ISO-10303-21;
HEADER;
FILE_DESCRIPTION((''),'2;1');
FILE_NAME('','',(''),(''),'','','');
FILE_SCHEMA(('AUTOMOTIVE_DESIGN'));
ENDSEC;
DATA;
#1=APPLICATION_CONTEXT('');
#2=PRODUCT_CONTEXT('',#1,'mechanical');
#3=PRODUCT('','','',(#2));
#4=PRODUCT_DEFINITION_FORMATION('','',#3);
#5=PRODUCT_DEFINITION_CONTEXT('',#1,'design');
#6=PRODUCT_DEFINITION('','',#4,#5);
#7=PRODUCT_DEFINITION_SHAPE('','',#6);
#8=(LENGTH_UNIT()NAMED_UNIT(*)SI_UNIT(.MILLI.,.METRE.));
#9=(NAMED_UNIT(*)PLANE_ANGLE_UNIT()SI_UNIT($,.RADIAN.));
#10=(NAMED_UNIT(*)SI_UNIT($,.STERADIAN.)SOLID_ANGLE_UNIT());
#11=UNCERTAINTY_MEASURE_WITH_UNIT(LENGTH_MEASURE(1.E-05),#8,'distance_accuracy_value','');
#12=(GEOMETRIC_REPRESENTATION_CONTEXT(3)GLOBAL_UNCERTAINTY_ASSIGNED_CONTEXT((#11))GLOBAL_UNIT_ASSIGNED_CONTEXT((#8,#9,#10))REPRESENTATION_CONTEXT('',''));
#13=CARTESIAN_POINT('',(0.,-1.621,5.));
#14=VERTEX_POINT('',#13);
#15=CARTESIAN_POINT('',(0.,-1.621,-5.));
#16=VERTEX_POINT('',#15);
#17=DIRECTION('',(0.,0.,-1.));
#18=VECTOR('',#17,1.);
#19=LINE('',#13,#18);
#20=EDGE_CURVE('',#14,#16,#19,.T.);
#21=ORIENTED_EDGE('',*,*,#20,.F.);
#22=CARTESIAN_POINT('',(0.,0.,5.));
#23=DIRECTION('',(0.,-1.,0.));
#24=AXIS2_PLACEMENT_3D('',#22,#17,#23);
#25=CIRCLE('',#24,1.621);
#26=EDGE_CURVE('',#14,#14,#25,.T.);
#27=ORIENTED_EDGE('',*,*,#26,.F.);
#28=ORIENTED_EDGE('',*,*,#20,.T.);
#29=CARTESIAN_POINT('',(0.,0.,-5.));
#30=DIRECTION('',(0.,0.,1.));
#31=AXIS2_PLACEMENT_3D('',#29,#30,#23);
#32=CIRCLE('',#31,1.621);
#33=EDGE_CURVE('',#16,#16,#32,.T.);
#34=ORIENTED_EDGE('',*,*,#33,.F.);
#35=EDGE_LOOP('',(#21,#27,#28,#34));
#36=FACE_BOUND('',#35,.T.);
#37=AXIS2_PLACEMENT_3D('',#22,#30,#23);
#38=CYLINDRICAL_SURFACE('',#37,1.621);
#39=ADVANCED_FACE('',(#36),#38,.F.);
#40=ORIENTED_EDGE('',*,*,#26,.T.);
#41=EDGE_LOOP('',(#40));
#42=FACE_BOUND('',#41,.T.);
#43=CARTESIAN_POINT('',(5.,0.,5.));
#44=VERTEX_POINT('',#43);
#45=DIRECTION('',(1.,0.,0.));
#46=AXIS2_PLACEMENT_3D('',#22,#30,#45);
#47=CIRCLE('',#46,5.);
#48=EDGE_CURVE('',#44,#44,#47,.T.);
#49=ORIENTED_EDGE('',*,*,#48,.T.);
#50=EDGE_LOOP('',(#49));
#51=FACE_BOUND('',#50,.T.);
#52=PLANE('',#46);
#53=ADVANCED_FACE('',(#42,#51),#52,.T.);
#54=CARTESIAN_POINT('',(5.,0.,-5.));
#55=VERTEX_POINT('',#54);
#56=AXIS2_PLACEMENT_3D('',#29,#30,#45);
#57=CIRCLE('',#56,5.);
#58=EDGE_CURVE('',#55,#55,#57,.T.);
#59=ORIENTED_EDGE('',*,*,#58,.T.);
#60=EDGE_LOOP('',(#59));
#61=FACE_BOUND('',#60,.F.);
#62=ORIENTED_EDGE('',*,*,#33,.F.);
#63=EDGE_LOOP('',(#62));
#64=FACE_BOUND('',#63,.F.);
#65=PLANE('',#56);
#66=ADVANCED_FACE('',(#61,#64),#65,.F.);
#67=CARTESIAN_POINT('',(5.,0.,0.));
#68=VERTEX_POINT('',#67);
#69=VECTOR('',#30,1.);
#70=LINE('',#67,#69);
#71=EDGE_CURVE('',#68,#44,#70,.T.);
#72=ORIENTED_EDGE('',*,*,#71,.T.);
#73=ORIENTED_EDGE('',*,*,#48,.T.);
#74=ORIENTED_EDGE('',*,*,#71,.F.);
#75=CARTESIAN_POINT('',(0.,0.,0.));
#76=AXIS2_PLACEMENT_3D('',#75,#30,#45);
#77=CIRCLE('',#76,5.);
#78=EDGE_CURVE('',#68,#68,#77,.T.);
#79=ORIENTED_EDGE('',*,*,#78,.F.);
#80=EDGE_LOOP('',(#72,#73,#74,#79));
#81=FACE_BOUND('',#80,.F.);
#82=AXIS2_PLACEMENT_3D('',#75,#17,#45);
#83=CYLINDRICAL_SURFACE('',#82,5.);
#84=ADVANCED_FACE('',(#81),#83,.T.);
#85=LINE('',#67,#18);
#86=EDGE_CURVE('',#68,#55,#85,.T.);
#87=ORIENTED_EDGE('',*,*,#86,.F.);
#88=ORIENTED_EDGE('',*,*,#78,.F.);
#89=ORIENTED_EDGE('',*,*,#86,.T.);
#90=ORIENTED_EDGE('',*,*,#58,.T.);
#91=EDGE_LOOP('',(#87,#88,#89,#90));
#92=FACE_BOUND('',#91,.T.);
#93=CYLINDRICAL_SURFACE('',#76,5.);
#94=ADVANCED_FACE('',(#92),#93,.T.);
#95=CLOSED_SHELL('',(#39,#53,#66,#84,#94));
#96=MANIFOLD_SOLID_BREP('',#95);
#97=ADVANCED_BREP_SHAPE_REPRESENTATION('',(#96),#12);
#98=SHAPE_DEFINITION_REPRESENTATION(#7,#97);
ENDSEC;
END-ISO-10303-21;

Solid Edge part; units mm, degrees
sketch "Sketch1" plane through (0, 0, 0) normal (0, 0, 1) x (1, 0, 0)
  circle A0 centre (0, 0) radius 5
  dimension "D1" = 10
extrude "Protrusion1" add sketch "Sketch1" along normal mid plane 10
hole "Bohrung_1" at (0, 0, 5) direction (0, 0, -1) diameter 3.242 end up to next
